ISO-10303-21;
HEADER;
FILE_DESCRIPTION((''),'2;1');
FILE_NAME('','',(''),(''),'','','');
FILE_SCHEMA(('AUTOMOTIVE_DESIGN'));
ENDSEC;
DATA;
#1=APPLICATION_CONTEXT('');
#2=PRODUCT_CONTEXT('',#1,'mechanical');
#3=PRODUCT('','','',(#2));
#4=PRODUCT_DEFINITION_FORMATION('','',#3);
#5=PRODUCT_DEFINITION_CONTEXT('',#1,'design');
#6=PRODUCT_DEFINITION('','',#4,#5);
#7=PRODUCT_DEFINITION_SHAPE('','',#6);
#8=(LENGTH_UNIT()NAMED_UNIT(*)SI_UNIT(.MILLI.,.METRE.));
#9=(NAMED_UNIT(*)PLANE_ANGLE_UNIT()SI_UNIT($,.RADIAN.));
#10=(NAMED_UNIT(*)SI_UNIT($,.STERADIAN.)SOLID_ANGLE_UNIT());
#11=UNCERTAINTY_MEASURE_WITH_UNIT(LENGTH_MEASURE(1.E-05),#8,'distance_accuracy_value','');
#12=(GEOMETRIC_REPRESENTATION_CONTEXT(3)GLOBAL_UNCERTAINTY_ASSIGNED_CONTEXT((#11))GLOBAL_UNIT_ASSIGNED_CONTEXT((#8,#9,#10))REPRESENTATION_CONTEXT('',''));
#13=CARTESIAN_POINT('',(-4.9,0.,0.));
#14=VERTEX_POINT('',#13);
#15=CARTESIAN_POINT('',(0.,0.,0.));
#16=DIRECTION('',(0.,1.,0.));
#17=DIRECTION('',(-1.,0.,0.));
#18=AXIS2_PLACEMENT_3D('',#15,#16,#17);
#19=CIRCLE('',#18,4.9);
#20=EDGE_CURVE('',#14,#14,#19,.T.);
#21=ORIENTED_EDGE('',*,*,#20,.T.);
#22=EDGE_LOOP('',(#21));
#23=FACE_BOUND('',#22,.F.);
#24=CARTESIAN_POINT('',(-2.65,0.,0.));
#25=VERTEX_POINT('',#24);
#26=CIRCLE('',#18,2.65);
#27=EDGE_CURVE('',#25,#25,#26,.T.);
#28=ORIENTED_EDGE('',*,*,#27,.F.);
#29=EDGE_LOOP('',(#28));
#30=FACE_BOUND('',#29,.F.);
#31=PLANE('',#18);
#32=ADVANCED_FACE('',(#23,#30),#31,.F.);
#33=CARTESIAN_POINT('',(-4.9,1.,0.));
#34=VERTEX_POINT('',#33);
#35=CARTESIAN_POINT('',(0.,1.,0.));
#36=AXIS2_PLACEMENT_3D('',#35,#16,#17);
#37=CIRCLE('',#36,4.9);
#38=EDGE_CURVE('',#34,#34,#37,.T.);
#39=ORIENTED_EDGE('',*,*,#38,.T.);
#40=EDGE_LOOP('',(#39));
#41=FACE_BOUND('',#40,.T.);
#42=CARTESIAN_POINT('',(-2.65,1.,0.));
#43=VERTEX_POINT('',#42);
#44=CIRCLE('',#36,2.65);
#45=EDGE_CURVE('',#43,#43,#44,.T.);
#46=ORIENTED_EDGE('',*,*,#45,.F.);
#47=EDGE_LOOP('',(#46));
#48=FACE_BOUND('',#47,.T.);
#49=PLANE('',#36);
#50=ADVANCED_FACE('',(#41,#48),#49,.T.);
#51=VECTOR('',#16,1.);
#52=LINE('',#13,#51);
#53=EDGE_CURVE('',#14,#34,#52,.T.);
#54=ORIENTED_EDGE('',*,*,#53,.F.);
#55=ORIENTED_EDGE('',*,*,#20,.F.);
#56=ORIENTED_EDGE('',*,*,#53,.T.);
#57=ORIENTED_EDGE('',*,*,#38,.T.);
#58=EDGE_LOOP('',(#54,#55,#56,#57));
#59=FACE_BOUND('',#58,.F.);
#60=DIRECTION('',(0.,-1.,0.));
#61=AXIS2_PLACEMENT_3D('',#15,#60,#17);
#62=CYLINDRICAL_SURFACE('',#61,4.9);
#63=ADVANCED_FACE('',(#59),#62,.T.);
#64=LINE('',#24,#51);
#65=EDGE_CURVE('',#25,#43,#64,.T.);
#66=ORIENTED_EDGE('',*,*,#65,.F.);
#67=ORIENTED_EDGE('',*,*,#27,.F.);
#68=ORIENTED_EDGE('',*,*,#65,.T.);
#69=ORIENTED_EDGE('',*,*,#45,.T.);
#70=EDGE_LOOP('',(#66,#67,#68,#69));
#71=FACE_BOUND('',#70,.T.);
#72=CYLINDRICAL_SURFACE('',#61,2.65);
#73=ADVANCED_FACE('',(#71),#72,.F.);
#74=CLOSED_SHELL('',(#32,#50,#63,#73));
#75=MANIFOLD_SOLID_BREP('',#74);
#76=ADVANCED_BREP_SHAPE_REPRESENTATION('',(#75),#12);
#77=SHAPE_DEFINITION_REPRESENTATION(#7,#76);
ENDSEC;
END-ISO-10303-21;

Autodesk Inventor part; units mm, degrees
ref_plane "YZ Plane" through (0, 0, 0) normal (1, 0, 0) x (0, 1, 0)
ref_plane "XZ Plane" through (0, 0, 0) normal (0, 1, 0) x (-1, 0, 0)
ref_plane "XY Plane" through (0, 0, 0) normal (0, 0, 1) x (1, 0, 0)
sketch "Sketch1" plane through (0, 0, 0) normal (0, 1, 0) x (-1, 0, 0)
  circle A0 centre (0, 0) radius 2.65
  circle A1 centre (0, 0) radius 4.9
  dimension "d0" = 5.3
  dimension "d1" = 9.8
extrude "Extrusion1" add sketch "Sketch1" along normal blind 1
properties part number "M5Washer" material "Stainless Steel"
